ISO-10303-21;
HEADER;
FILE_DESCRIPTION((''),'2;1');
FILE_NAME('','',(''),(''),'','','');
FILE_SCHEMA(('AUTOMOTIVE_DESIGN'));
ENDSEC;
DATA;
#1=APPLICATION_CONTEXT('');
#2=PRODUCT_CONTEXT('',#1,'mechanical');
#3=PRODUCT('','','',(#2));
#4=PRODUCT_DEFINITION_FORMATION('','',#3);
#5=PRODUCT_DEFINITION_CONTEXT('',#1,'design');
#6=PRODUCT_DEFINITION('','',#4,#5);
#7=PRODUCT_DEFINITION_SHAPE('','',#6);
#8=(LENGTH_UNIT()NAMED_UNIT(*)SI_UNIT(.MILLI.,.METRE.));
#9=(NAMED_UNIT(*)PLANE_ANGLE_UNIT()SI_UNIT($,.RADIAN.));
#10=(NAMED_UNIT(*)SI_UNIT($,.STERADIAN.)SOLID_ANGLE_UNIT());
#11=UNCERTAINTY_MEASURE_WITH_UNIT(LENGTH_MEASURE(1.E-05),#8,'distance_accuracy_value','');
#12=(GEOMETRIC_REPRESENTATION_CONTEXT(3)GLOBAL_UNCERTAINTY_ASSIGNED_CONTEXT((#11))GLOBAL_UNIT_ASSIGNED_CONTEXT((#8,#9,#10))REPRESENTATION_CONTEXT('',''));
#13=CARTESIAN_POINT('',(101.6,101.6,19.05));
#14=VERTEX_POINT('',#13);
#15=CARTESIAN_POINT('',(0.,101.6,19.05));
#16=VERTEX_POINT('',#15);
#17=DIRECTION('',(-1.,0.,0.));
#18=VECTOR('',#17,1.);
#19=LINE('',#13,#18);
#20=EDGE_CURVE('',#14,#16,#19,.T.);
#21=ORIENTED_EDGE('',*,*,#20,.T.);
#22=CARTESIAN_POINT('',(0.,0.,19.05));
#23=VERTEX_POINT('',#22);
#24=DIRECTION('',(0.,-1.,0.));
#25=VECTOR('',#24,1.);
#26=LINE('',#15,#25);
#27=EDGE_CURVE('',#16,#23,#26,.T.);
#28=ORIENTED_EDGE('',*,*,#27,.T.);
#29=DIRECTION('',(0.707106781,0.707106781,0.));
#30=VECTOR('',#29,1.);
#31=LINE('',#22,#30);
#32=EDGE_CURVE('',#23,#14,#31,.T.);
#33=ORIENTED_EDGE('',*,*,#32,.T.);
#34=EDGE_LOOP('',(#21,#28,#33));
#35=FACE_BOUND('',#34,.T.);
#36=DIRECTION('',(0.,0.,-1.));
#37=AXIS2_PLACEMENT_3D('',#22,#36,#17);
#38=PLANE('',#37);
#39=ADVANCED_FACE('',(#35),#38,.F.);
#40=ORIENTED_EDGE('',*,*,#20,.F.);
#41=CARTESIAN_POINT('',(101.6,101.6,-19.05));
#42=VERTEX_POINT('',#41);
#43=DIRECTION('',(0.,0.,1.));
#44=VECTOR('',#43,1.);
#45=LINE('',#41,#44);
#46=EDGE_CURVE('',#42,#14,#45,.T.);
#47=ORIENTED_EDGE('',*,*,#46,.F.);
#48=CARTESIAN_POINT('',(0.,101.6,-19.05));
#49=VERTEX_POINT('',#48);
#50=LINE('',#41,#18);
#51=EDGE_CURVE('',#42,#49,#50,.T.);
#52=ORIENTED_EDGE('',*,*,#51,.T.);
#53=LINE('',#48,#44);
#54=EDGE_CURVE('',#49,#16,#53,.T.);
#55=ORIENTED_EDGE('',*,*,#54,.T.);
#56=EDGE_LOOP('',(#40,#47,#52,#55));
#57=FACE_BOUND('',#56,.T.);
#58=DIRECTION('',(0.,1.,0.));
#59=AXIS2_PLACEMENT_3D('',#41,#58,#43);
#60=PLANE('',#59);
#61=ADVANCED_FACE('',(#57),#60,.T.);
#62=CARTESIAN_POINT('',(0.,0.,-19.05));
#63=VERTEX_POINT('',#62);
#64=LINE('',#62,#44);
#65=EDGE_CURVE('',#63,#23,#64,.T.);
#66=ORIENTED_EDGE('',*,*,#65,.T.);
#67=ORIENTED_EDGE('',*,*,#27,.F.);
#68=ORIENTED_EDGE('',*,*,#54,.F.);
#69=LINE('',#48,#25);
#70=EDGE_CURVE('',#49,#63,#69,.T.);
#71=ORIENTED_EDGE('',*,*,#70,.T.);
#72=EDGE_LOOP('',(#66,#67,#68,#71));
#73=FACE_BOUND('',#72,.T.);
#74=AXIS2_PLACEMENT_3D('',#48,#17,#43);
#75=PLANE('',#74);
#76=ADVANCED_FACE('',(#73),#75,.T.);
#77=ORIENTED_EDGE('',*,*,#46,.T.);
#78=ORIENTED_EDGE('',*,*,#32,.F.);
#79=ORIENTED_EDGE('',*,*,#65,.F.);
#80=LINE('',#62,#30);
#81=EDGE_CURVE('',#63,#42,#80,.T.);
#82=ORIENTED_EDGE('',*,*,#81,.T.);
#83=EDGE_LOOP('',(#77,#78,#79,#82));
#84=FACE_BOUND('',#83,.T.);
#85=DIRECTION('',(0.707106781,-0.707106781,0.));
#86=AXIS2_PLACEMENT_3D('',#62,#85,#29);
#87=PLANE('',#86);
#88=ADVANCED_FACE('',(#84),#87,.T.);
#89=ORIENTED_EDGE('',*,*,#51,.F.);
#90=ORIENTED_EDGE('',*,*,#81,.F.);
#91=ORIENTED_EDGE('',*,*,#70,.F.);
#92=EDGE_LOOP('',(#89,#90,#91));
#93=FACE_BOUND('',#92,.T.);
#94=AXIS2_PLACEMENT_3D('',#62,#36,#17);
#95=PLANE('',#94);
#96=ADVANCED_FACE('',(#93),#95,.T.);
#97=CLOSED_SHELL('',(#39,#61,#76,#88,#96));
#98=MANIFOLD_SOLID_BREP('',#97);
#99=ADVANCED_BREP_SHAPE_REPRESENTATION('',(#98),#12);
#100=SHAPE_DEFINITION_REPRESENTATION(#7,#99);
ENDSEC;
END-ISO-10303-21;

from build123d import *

# Parameters (mm, degrees)
BOSS_EXTRUDE1_DEPTH      = 19.05
BOSS_EXTRUDE1_DEPTH_BACK = 19.05


with BuildPart() as part:
    # Sketch1 → Boss-Extrude1 (new, two sides: drawn at the far end of the back side and taken through both)
    with BuildSketch(Plane.XY.offset(-BOSS_EXTRUDE1_DEPTH_BACK)):
        Polygon((0, 0), (101.6, 101.6), (0, 101.6), align=None)
    extrude(amount=BOSS_EXTRUDE1_DEPTH + BOSS_EXTRUDE1_DEPTH_BACK)


solid = part.part
